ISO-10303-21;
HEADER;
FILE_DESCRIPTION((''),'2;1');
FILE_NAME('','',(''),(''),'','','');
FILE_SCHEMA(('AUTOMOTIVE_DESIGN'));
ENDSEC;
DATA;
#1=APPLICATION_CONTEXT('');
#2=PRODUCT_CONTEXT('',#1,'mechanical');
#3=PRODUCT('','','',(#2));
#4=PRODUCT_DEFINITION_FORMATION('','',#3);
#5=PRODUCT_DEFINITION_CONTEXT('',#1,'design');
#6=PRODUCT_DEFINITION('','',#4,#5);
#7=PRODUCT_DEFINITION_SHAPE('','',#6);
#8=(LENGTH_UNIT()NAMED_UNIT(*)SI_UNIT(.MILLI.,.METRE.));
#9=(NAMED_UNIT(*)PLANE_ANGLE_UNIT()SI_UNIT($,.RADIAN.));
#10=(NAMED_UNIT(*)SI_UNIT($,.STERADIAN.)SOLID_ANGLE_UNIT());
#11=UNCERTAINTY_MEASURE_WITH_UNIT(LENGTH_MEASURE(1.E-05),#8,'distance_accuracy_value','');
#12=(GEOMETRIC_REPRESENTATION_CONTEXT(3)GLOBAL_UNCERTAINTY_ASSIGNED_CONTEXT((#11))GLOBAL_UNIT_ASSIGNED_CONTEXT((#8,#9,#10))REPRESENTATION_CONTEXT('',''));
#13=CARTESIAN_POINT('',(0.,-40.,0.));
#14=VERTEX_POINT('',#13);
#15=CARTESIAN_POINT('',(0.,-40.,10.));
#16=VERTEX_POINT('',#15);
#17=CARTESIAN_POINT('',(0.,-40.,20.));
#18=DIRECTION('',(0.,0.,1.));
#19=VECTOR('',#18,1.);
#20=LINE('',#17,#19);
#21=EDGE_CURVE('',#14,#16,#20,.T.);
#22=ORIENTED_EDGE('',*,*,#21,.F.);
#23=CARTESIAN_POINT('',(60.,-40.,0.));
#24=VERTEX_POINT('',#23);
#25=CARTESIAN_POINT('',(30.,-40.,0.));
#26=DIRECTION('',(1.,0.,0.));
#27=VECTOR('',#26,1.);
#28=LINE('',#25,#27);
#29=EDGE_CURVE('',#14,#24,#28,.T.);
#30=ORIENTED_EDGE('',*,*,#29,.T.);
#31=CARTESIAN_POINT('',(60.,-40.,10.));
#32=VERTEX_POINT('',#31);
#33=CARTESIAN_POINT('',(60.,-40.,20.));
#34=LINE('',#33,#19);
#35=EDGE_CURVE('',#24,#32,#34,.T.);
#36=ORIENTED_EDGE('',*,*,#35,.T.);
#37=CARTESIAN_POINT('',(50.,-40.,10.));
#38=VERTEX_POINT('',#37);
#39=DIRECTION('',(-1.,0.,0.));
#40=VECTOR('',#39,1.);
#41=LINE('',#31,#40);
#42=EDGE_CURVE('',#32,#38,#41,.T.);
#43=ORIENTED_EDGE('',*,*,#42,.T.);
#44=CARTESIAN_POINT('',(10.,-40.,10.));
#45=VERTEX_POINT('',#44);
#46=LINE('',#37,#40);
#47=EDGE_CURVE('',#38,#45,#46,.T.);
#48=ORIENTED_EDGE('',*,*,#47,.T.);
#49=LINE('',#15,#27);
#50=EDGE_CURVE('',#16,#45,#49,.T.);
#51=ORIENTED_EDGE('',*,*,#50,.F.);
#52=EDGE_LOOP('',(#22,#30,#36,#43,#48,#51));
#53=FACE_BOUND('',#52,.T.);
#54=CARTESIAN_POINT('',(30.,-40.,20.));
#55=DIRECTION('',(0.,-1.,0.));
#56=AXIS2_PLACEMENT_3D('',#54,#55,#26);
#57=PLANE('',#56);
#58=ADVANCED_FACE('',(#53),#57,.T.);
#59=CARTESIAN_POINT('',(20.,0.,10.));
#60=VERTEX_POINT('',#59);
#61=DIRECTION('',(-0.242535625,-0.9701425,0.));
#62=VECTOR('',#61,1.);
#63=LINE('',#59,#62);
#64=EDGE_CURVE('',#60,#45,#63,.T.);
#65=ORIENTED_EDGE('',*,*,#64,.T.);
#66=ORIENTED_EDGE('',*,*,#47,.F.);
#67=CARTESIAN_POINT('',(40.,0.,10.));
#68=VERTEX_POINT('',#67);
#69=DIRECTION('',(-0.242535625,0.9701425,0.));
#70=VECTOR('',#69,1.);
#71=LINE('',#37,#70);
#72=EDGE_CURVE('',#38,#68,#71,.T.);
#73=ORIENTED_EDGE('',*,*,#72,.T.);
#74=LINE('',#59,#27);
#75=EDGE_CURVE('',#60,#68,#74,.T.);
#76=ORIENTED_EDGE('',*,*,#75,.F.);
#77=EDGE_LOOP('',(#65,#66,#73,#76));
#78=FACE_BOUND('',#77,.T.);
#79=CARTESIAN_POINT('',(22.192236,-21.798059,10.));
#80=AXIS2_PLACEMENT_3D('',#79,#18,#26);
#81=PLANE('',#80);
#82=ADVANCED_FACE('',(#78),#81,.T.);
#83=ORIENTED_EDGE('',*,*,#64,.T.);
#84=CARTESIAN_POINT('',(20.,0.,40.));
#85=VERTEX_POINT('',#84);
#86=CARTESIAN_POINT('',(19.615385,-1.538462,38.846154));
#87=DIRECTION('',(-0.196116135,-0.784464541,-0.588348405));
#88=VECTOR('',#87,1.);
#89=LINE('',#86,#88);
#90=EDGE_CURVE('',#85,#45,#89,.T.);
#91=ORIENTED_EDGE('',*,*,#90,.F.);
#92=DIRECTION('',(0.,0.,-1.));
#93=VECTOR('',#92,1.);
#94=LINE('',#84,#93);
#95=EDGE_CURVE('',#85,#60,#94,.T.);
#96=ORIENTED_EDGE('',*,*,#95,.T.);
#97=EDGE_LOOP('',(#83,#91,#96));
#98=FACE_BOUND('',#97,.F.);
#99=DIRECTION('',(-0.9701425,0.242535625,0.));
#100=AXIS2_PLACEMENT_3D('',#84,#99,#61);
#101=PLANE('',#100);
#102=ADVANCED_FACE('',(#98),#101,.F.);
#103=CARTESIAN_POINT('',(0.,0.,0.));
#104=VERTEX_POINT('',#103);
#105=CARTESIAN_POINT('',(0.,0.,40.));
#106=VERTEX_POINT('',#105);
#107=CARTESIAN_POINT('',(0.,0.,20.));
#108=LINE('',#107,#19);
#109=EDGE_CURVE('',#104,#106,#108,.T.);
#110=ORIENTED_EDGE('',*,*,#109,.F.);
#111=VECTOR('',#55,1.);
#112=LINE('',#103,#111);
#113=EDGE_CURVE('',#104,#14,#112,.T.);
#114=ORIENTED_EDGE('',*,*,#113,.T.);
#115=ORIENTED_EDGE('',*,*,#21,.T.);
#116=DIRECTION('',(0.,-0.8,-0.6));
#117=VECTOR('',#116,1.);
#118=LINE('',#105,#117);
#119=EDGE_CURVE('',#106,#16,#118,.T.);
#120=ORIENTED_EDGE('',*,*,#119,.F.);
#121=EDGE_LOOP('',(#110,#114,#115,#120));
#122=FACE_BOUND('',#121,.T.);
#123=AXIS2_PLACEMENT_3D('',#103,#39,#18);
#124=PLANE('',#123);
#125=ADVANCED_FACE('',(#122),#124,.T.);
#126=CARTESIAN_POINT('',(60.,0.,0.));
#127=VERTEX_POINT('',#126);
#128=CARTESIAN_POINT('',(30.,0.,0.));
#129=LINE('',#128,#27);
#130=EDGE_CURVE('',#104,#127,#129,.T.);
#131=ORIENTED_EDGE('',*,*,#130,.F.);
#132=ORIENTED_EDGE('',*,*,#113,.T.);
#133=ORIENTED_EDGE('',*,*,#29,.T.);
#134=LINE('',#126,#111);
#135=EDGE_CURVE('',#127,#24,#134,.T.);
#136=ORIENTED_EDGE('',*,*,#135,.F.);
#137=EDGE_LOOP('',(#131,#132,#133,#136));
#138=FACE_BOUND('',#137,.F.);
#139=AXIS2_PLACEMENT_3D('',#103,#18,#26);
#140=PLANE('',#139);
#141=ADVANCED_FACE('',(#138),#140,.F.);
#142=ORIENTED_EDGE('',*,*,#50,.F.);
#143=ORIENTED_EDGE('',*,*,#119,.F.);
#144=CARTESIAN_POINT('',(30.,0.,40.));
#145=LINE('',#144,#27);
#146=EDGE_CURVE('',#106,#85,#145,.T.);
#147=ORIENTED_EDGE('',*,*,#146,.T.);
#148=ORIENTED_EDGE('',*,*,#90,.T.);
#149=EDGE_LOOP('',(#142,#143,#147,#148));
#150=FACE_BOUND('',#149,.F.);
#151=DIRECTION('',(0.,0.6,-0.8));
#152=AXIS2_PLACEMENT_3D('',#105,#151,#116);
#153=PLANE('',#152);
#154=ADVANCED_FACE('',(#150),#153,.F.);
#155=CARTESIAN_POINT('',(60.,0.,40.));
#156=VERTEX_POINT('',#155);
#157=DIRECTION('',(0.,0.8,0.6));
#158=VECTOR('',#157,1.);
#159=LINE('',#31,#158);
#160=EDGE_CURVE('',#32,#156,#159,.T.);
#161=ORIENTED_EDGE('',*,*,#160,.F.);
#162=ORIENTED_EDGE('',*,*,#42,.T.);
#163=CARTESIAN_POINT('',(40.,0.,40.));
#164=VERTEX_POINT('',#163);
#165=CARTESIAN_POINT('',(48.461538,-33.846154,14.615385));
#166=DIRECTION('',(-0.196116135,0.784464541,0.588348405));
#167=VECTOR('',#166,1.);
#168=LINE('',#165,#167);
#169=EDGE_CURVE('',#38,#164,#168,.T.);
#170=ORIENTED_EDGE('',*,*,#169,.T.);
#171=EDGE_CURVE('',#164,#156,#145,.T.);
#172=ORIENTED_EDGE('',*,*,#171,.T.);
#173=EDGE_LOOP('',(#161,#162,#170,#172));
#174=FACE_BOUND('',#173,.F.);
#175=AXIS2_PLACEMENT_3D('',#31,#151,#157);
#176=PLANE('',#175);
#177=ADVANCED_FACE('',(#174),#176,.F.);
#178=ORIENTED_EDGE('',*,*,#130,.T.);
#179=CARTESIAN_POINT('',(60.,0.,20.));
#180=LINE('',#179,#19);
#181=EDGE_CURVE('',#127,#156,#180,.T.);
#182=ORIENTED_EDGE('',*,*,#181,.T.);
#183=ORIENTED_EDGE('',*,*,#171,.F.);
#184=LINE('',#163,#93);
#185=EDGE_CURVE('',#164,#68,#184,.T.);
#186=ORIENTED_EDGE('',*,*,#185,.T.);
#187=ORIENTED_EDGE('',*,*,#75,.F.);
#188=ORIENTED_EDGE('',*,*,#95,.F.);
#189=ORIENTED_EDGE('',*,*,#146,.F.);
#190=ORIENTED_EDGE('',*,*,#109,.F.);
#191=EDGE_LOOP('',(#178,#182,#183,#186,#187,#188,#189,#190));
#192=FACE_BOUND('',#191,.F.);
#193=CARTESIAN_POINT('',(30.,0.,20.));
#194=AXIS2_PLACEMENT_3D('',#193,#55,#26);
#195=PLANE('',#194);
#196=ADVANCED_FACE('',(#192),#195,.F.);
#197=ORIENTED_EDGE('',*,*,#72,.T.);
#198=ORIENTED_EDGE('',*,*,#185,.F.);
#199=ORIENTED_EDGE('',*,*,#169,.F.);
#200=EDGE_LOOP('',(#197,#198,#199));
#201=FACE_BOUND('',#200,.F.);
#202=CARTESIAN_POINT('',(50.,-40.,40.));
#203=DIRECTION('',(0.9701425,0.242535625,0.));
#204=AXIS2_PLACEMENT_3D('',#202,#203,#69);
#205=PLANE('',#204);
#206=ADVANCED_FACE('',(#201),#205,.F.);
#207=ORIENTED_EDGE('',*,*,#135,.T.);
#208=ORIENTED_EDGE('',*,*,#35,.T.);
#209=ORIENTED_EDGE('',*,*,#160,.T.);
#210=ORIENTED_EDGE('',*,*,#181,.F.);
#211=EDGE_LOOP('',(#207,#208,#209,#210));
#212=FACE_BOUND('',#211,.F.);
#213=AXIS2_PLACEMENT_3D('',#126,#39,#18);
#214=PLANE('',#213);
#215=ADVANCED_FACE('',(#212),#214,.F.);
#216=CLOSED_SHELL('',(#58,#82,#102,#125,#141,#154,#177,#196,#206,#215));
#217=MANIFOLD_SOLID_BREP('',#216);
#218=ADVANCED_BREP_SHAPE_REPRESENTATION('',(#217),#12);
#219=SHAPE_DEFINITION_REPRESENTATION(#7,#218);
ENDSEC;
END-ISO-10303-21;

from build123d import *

# Parameters (mm, degrees)
F0_W     = 60
F0_H     = 40
F1_DEPTH = 40
F3_DEPTH = 30
F5_DEPTH = 30
F7_DEPTH = 20
F9_DEPTH = 20


with BuildPart() as f1:
    # F0 (on Front) → F1 (new body)
    with BuildSketch(Plane.XZ):
        with Locations((30, 20)):
            Rectangle(F0_W, F0_H)
    extrude(amount=F1_DEPTH)

    # F2 (on face) → F3 (cut)
    with BuildSketch(Plane.XY.offset(40)):
        Polygon((30, 0), (30, -40), (50, -40), (40, 0), align=None)
    extrude(amount=-F3_DEPTH, mode=Mode.SUBTRACT)

    # F4 (on face) → F5 (cut)
    with BuildSketch(Plane.XY.offset(40)):
        Polygon((30, -40), (30, 0), (20, 0), (10, -40), align=None)
    extrude(amount=-F5_DEPTH, mode=Mode.SUBTRACT)

    # F6 (on face) → F7 (cut)
    with BuildSketch(Plane.YZ.offset(60)):
        Polygon((-40, 10), (0, 40), (-40, 40), align=None)
    extrude(amount=-F7_DEPTH, mode=Mode.SUBTRACT)

    # F8 (on face) → F9 (cut)
    with BuildSketch(Plane(origin=(0, 0, 0), x_dir=(0, -1, 0), z_dir=(-1, 0, 0))):
        Polygon((40, 40), (0, 40), (40, 10), align=None)
    extrude(amount=-F9_DEPTH, mode=Mode.SUBTRACT)


solid = f1.part
